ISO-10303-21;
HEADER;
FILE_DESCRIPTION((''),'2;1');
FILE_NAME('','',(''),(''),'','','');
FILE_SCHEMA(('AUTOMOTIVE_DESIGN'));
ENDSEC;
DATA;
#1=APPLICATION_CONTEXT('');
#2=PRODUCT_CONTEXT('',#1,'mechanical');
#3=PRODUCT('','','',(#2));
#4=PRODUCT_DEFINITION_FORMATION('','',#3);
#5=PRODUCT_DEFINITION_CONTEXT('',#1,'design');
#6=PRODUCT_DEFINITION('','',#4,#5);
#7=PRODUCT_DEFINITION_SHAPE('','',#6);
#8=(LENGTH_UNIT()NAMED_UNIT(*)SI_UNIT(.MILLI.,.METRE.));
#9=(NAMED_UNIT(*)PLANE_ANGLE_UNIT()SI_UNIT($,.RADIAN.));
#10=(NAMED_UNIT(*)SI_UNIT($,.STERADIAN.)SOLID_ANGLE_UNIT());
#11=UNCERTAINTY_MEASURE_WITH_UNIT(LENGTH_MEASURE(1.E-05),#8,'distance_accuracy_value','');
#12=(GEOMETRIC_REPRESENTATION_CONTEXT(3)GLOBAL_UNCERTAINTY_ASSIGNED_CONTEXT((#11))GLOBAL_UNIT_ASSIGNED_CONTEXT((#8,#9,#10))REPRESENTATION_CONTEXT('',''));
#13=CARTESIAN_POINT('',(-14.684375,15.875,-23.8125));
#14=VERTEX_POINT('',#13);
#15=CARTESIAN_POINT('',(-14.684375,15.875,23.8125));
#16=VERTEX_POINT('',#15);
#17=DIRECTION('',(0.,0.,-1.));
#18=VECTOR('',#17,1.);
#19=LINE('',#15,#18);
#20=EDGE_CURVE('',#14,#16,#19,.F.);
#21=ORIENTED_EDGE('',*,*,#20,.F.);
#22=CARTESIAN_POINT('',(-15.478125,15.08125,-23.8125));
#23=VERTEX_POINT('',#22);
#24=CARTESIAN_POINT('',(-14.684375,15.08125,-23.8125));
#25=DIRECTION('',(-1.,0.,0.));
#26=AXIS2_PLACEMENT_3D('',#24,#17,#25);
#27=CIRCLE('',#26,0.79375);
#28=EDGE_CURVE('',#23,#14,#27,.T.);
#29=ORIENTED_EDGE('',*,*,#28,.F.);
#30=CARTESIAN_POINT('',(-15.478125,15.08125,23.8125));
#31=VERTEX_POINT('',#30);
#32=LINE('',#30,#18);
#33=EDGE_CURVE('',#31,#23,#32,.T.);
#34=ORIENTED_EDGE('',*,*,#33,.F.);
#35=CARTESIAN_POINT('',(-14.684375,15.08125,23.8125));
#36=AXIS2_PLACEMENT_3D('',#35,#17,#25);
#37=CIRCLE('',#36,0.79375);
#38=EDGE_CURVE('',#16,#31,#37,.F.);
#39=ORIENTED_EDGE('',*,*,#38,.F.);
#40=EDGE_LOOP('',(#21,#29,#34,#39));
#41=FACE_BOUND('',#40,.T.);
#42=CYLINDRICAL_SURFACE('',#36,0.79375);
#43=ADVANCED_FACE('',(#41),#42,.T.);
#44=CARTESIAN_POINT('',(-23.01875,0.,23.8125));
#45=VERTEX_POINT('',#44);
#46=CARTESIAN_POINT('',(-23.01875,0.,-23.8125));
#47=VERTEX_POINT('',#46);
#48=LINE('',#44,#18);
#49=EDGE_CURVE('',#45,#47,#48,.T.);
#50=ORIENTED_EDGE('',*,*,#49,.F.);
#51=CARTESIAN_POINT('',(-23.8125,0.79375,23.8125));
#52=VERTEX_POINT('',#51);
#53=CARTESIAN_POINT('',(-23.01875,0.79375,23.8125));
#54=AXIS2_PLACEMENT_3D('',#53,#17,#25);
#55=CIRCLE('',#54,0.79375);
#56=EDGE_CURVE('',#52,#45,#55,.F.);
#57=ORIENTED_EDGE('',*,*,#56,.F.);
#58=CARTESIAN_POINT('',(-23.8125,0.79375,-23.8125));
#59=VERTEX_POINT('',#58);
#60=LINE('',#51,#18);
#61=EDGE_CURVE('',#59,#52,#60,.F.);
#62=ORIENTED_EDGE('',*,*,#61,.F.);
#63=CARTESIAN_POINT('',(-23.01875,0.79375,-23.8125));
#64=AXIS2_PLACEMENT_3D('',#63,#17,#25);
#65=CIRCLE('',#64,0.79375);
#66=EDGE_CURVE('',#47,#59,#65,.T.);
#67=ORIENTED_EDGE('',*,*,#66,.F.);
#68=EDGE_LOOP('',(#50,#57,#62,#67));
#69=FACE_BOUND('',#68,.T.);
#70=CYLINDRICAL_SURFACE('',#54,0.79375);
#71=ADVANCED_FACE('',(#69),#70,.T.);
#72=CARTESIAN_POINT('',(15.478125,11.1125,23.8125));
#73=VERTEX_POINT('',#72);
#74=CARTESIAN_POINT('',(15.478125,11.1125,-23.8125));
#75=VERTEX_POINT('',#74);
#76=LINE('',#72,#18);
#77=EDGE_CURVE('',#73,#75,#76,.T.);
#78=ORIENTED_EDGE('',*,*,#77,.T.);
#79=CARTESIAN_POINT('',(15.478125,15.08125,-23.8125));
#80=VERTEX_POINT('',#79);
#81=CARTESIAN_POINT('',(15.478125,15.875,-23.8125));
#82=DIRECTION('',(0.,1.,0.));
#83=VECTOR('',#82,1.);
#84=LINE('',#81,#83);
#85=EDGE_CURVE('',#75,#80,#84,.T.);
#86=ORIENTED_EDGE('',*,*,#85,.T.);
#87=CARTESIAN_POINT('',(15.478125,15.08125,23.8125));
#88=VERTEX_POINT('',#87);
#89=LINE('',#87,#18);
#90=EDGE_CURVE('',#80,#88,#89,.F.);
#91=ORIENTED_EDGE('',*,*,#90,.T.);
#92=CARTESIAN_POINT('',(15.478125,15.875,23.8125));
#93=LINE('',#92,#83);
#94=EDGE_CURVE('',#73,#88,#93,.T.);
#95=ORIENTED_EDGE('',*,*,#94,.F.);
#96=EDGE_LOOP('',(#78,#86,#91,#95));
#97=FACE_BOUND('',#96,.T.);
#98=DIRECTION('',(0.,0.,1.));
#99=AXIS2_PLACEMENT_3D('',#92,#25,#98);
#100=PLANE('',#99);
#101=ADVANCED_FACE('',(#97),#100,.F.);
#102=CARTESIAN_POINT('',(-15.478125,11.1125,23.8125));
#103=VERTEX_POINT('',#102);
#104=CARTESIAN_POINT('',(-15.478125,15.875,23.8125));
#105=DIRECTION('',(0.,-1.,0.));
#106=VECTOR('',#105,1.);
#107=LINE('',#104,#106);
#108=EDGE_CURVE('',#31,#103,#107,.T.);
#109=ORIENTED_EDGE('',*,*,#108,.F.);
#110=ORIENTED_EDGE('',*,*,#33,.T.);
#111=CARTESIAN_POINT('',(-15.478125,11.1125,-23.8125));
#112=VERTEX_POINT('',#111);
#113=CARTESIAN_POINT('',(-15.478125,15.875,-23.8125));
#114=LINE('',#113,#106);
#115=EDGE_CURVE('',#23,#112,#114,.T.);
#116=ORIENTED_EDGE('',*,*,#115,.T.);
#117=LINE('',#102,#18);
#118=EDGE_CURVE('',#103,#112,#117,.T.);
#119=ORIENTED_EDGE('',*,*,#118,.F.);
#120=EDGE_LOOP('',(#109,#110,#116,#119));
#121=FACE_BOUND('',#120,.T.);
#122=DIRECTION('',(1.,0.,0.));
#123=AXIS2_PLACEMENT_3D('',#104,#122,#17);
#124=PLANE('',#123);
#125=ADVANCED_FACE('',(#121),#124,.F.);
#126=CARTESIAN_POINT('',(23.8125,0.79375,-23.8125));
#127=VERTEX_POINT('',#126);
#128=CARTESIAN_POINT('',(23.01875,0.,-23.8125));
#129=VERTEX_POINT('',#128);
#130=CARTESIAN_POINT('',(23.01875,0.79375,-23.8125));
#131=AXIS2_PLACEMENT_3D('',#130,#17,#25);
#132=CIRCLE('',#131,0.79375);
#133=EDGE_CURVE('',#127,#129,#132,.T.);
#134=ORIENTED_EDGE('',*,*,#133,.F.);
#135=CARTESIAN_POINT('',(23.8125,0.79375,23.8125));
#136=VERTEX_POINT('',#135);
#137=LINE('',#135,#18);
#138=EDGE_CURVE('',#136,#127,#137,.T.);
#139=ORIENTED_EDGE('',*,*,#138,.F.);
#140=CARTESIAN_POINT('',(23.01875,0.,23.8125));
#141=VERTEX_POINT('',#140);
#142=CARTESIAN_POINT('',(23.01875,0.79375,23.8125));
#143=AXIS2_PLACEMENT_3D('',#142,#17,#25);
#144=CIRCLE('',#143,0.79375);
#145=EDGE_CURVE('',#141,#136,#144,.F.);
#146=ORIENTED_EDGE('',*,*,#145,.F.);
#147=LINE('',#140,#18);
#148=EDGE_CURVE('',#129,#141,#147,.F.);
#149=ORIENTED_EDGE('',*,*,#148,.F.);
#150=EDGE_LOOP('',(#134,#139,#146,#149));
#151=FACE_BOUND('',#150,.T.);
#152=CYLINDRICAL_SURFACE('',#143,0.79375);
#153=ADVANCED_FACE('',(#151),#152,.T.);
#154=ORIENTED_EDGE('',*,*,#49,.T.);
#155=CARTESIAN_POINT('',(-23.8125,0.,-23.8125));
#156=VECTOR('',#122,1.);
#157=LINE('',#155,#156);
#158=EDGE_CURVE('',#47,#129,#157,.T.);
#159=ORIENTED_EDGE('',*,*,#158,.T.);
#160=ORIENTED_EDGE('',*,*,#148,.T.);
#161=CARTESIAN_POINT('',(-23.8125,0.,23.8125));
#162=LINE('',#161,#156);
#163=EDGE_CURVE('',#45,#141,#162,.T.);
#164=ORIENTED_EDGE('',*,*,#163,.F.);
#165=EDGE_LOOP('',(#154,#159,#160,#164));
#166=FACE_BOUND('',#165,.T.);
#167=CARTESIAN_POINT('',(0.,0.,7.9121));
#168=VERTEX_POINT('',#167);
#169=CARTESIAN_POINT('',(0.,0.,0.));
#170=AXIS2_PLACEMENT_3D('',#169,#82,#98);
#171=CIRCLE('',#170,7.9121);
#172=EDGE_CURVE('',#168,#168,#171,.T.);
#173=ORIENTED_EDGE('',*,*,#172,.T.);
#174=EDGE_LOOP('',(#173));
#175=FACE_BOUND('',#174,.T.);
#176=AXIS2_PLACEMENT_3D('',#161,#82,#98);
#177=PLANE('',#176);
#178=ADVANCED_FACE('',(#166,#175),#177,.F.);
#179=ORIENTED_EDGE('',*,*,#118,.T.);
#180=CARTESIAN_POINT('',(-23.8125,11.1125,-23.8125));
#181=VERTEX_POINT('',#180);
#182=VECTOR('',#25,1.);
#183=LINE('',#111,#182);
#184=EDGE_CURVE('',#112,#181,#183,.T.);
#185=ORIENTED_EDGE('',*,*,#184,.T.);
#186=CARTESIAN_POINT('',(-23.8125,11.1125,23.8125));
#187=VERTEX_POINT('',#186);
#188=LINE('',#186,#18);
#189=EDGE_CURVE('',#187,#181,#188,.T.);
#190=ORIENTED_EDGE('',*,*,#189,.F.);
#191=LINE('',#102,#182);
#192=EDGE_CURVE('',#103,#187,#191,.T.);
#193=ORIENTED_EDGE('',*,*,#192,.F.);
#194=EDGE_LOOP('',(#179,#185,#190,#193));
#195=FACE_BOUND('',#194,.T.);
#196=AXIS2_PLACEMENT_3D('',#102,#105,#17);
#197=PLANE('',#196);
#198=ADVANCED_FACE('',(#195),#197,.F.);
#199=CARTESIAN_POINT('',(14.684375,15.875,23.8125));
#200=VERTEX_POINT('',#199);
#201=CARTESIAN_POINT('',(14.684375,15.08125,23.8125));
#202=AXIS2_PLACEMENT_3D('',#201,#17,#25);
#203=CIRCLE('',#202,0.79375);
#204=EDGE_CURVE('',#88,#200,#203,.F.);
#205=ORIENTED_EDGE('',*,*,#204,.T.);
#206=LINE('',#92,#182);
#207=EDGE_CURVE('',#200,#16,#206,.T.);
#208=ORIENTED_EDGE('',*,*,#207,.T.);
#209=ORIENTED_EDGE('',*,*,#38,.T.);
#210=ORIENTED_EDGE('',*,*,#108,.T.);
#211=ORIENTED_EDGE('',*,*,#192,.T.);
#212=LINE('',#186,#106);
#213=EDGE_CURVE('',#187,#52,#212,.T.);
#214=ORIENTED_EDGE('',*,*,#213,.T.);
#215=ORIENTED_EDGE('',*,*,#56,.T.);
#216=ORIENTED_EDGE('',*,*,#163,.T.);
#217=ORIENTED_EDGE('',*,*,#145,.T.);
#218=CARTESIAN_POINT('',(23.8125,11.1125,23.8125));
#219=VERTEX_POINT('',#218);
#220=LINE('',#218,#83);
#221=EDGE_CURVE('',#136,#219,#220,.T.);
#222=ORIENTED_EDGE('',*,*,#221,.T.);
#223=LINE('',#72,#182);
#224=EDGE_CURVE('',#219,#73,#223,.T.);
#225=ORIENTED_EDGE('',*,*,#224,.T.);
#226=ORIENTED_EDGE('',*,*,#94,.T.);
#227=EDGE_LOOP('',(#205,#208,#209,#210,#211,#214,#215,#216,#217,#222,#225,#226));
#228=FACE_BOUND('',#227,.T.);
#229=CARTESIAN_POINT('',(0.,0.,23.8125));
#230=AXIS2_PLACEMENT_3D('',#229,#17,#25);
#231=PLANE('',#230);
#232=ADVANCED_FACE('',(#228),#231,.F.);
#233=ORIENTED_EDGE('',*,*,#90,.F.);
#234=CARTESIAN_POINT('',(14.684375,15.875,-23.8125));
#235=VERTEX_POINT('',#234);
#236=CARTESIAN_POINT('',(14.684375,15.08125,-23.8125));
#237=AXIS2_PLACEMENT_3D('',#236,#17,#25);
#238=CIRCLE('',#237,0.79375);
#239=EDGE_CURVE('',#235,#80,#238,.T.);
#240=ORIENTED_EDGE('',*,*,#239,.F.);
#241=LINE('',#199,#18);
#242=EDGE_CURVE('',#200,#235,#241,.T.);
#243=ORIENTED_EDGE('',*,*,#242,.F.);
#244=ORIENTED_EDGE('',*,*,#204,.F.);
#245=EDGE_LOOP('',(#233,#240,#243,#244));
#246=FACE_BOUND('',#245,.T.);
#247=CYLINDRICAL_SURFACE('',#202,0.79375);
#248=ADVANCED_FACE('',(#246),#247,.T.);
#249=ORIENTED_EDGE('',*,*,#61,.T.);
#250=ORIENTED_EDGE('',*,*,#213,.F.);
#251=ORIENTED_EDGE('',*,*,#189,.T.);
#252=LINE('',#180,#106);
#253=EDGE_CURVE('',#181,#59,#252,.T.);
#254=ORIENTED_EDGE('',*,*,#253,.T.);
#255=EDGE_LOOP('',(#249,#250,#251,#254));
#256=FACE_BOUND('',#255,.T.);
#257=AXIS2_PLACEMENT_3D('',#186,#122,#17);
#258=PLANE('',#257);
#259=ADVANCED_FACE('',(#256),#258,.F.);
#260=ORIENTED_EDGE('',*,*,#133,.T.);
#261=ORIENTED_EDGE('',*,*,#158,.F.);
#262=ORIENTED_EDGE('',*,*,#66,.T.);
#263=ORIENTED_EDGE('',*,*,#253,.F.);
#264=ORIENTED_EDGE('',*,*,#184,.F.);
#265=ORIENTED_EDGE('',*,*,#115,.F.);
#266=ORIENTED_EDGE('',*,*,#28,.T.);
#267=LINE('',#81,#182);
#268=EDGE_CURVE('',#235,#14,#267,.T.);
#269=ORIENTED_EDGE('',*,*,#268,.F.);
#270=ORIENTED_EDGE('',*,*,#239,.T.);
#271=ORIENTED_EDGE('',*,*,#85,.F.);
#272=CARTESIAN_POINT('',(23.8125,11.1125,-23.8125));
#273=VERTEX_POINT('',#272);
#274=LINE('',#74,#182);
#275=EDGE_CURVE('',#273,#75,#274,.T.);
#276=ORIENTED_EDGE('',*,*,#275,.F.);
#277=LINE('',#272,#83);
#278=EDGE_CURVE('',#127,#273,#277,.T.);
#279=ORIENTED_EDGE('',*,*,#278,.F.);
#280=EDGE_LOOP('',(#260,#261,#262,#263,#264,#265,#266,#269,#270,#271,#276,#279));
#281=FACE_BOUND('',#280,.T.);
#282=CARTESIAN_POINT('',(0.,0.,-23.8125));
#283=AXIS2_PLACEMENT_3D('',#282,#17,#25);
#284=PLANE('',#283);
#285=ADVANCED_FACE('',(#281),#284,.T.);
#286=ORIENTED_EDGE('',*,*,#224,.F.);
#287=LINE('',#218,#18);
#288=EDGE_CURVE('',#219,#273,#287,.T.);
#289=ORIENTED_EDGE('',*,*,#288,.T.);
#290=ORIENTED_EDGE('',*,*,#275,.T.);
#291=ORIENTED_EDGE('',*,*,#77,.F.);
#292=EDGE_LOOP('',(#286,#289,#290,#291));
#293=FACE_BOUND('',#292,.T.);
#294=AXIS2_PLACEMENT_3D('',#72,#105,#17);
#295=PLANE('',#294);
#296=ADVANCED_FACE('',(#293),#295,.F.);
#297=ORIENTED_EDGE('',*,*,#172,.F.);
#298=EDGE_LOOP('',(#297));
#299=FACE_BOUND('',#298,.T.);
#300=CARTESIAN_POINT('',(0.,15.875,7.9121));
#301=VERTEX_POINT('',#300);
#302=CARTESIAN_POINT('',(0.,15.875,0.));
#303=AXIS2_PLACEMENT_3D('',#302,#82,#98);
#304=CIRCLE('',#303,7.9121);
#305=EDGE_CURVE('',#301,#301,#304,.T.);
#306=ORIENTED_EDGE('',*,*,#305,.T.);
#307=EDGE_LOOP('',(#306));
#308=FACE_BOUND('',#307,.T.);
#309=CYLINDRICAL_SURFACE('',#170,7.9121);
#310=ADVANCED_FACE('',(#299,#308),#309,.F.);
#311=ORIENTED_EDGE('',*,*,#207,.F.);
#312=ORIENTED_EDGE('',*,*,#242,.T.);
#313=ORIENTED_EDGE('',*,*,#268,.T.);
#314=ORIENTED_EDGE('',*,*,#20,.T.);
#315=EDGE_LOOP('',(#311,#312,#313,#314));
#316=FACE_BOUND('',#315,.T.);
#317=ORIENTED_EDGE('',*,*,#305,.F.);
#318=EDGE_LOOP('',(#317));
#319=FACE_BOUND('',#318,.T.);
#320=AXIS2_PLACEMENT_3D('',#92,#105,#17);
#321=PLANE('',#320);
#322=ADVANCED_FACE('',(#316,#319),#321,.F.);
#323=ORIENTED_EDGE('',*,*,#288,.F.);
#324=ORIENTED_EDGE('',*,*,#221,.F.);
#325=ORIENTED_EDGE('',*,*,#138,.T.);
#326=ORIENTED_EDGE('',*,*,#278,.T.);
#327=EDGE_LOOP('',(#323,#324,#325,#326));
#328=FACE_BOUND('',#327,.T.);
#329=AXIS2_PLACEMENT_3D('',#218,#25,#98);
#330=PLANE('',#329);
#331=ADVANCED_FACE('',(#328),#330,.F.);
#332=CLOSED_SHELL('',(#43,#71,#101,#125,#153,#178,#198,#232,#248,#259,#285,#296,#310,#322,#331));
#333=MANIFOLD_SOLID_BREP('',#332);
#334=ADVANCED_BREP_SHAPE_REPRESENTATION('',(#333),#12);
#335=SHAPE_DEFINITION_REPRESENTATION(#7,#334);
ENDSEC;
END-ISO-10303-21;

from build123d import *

# Parameters (mm, degrees)
BOSS_EXTRUDE1_DEPTH = 23.8125
SKETCH2_R           = 7.9121
CUT_EXTRUDE1_DEPTH  = 16.875
FILLET1_R           = 0.79375


with BuildPart() as part:
    # Sketch1 → Boss-Extrude1 (new body, symmetric)
    with BuildSketch(Plane.XY):
        Polygon((15.478125, 15.875), (-15.478125, 15.875), (-15.478125, 11.1125), (-23.8125, 11.1125), (-23.8125, 0), (23.8125, 0), (23.8125, 11.1125), (15.478125, 11.1125), align=None)
    extrude(amount=BOSS_EXTRUDE1_DEPTH, both=True)

    # Sketch2 → Cut-Extrude1 (cut, through all)
    with BuildSketch(Plane(origin=(0, 15.875, 0), x_dir=(1, 0, 0), z_dir=(0, 1, 0))):
        Circle(SKETCH2_R)
    extrude(amount=-CUT_EXTRUDE1_DEPTH, mode=Mode.SUBTRACT)

    # Fillet1
    fillet1_edges = [part.edges().sort_by_distance(p)[0] for p in [
        (-23.8125, 0, 0),
        (-15.478125, 15.875, 0),
        (15.478125, 15.875, 0),
        (23.8125, 0, 0),
    ]]
    fillet(fillet1_edges, radius=FILLET1_R)


solid = part.part
